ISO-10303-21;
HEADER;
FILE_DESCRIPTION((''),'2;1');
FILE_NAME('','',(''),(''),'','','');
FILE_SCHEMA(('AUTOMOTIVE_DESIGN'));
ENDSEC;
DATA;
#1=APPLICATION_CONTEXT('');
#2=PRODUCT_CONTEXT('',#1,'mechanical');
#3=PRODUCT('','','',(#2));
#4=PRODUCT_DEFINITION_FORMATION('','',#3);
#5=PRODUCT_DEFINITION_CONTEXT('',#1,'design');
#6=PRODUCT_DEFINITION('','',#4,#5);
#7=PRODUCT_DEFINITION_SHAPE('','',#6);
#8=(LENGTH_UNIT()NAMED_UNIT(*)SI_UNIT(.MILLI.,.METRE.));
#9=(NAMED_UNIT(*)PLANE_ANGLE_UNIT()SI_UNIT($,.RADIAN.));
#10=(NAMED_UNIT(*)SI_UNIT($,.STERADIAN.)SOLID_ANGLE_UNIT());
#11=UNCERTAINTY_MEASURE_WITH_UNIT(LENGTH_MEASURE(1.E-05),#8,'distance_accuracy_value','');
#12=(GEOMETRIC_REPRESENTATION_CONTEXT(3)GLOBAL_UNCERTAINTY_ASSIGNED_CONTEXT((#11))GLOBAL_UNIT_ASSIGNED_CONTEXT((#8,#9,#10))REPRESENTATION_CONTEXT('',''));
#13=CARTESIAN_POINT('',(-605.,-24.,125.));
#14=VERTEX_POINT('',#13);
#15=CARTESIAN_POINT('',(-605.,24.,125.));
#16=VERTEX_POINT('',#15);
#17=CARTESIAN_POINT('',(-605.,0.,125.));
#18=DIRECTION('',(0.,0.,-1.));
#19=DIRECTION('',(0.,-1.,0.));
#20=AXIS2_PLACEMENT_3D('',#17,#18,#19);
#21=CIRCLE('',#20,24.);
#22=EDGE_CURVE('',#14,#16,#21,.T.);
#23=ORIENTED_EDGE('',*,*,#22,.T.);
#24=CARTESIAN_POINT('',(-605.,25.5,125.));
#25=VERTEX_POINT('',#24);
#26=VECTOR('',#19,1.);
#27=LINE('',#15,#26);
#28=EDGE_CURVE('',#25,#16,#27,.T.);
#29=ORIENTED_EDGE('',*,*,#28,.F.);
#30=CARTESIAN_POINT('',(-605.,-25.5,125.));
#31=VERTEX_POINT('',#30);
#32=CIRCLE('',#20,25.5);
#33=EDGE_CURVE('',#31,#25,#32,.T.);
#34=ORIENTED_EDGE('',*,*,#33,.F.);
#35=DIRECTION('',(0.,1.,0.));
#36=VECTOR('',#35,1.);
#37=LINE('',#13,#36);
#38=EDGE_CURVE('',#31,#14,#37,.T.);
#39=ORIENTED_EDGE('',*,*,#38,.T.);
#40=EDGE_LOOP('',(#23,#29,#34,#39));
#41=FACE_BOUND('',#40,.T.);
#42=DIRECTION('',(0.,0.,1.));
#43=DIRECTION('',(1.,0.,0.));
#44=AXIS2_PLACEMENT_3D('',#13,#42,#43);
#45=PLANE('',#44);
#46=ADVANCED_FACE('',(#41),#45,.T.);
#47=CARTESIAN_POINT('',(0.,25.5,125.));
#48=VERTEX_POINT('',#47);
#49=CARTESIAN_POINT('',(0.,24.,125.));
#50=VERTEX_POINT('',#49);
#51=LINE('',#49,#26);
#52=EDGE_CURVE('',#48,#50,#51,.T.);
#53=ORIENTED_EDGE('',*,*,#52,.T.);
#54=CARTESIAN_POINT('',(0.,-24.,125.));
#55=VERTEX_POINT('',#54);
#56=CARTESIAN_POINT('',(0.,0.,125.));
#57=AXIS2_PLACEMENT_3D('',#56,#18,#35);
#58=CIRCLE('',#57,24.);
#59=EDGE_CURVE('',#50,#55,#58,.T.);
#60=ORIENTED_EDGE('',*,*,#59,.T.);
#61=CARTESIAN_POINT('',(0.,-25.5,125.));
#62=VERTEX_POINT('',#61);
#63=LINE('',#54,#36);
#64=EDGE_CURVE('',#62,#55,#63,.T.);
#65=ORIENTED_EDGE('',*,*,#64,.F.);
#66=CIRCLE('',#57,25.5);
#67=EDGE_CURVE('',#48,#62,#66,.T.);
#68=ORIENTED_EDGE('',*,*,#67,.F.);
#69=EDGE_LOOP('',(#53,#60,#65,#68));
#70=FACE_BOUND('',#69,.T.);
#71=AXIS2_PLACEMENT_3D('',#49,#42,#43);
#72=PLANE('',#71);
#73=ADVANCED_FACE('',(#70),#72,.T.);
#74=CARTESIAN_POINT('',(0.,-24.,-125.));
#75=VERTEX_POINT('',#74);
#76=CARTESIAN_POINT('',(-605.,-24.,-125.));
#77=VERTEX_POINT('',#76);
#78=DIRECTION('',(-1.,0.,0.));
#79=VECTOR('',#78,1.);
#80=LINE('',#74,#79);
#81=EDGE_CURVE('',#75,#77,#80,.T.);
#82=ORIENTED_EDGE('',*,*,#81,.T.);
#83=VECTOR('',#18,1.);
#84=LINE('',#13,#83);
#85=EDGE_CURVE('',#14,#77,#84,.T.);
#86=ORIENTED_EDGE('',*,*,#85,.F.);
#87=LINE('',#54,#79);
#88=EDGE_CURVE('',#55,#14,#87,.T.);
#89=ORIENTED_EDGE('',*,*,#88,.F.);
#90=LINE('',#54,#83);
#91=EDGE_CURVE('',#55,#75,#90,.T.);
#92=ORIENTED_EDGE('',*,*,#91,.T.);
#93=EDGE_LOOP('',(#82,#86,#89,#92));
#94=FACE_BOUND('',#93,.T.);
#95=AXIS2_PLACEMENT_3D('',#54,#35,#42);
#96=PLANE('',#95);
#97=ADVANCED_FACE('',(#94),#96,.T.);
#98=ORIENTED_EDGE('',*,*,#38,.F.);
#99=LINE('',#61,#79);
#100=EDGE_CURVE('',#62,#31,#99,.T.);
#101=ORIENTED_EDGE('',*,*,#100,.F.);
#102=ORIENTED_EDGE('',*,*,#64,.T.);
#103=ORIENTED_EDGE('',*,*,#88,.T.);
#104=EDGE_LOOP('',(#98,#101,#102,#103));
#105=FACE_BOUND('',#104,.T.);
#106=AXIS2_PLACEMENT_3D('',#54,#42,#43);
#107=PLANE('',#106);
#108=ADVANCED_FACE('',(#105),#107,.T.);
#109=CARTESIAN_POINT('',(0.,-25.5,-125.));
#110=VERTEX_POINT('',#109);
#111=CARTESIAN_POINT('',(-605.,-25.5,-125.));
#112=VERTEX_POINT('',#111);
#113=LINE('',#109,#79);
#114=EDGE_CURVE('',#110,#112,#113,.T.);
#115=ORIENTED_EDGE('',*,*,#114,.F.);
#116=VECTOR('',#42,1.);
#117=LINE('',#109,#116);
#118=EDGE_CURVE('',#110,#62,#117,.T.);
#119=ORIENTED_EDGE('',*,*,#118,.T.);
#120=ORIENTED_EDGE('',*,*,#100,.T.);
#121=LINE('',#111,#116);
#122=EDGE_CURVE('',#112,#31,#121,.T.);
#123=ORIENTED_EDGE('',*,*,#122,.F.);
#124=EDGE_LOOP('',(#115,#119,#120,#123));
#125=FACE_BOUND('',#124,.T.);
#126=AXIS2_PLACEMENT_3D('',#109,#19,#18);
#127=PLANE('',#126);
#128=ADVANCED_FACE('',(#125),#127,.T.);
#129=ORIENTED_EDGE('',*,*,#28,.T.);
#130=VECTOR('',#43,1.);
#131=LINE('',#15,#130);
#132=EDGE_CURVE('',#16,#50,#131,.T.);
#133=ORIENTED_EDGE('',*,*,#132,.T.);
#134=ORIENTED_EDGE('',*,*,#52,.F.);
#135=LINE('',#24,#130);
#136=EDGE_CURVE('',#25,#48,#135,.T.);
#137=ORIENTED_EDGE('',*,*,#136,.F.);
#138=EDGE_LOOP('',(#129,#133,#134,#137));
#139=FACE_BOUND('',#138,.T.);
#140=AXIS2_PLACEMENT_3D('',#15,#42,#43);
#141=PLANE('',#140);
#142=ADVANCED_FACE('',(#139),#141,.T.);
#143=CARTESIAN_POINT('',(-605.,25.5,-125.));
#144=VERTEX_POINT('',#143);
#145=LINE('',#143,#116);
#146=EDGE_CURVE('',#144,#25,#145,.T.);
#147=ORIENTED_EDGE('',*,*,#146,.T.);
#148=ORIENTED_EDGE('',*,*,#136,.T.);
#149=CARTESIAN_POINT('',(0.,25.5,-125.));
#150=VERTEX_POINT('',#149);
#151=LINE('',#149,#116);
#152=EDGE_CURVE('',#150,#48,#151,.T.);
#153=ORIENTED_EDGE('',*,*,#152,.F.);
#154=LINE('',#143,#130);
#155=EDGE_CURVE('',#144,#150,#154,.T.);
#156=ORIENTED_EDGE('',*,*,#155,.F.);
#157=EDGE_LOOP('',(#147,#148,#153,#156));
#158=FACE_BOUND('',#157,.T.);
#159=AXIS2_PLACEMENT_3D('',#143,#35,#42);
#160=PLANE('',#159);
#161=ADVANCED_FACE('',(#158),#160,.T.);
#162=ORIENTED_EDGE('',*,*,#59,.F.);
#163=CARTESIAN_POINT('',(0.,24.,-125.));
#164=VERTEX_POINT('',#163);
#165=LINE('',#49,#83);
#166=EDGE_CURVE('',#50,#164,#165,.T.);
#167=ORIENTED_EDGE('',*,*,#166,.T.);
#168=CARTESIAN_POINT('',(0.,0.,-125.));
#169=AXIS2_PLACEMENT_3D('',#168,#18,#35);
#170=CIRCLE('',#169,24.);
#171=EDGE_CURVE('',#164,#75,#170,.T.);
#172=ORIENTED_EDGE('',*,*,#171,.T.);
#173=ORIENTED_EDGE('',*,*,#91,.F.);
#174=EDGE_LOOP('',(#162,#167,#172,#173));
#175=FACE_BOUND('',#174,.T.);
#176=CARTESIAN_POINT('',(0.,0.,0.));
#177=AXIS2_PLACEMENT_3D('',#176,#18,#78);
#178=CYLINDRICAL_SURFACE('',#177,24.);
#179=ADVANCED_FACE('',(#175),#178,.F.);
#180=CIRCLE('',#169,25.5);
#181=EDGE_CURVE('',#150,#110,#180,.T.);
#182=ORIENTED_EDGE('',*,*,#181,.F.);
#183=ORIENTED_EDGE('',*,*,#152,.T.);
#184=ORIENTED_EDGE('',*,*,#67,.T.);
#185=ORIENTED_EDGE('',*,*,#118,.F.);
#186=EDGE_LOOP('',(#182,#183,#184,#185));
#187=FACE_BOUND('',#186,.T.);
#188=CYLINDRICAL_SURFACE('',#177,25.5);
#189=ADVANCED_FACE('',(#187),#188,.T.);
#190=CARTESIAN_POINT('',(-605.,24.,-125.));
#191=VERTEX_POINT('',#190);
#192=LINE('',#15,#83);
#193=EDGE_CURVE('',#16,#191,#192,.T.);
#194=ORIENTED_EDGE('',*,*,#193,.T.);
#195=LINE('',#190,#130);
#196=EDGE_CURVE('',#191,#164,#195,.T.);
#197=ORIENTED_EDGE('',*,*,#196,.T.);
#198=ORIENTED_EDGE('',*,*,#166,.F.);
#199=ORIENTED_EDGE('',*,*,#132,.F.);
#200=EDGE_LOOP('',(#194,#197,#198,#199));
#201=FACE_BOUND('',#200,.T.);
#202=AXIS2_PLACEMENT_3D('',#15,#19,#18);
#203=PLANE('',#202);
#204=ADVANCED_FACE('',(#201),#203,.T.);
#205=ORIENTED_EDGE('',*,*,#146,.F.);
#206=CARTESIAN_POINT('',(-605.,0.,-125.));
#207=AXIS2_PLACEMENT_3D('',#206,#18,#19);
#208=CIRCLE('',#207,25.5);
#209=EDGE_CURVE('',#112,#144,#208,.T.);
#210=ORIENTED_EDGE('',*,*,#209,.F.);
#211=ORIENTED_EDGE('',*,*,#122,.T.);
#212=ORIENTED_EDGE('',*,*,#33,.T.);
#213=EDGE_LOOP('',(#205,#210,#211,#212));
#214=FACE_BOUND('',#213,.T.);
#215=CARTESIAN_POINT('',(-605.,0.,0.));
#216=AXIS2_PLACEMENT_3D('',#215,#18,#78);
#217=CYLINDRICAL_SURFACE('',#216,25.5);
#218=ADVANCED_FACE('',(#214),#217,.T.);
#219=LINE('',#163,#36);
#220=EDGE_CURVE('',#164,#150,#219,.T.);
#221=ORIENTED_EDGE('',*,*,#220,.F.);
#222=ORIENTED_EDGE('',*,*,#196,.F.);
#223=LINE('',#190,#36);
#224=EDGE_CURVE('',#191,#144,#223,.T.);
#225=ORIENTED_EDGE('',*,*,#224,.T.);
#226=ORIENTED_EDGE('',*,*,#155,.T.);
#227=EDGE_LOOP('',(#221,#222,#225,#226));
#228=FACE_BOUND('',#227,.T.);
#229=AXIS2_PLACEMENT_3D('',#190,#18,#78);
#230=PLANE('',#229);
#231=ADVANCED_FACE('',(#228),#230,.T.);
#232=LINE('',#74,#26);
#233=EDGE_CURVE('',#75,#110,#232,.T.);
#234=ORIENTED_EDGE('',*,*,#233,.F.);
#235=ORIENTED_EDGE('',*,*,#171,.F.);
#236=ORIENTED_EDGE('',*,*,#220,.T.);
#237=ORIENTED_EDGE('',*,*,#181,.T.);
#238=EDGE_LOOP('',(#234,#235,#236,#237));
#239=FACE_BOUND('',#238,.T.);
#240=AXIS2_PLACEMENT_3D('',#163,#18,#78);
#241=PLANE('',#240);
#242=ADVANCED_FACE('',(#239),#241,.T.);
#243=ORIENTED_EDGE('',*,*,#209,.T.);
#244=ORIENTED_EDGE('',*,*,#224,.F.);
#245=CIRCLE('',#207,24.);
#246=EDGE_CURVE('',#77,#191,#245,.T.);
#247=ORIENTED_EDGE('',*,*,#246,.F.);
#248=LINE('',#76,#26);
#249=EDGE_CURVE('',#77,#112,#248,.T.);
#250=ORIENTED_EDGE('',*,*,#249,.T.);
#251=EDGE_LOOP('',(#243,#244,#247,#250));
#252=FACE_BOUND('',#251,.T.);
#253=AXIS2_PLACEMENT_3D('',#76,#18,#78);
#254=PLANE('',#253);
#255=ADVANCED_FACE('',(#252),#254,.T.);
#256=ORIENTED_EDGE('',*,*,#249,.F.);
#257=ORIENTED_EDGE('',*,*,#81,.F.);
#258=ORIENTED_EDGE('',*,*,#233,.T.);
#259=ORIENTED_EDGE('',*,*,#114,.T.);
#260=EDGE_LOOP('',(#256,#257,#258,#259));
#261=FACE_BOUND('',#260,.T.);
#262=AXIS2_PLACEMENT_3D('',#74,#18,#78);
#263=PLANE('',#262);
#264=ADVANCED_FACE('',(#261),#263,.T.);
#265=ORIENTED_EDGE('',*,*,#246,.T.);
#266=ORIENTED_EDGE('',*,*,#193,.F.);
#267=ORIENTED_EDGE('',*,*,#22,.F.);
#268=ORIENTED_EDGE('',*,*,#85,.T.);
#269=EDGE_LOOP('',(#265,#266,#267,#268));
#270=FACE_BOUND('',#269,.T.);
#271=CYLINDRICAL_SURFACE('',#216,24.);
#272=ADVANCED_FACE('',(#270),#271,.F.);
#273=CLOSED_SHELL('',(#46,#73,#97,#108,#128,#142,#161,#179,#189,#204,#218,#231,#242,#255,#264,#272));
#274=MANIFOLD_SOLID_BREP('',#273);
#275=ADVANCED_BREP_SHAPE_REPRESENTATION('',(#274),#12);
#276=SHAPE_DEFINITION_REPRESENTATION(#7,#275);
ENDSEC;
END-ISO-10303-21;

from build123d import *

# Parameters (mm, degrees)
SKETCH4_W = 250
SKETCH4_H = 1.5


with BuildPart() as part:
    # Sweep1: sweep along a path in Sketch2
    with BuildLine(Plane.XY) as sweep1_path:
        Line((0, -24), (-605, -24))
        ThreePointArc((-605, -24), (-629, 0), (-605, 24))
        Line((-605, 24), (0, 24))
        ThreePointArc((0, 24), (24, 0), (0, -24))
    # Sketch4 → Sweep1 (sweep)
    with BuildSketch(Plane(origin=(-605, 0, 0), x_dir=(0, 0, -1), z_dir=(1, 0, 0))):
        with Locations((0, 24.75)):
            Rectangle(SKETCH4_W, SKETCH4_H)
    sweep(path=sweep1_path.line)


solid = part.part
